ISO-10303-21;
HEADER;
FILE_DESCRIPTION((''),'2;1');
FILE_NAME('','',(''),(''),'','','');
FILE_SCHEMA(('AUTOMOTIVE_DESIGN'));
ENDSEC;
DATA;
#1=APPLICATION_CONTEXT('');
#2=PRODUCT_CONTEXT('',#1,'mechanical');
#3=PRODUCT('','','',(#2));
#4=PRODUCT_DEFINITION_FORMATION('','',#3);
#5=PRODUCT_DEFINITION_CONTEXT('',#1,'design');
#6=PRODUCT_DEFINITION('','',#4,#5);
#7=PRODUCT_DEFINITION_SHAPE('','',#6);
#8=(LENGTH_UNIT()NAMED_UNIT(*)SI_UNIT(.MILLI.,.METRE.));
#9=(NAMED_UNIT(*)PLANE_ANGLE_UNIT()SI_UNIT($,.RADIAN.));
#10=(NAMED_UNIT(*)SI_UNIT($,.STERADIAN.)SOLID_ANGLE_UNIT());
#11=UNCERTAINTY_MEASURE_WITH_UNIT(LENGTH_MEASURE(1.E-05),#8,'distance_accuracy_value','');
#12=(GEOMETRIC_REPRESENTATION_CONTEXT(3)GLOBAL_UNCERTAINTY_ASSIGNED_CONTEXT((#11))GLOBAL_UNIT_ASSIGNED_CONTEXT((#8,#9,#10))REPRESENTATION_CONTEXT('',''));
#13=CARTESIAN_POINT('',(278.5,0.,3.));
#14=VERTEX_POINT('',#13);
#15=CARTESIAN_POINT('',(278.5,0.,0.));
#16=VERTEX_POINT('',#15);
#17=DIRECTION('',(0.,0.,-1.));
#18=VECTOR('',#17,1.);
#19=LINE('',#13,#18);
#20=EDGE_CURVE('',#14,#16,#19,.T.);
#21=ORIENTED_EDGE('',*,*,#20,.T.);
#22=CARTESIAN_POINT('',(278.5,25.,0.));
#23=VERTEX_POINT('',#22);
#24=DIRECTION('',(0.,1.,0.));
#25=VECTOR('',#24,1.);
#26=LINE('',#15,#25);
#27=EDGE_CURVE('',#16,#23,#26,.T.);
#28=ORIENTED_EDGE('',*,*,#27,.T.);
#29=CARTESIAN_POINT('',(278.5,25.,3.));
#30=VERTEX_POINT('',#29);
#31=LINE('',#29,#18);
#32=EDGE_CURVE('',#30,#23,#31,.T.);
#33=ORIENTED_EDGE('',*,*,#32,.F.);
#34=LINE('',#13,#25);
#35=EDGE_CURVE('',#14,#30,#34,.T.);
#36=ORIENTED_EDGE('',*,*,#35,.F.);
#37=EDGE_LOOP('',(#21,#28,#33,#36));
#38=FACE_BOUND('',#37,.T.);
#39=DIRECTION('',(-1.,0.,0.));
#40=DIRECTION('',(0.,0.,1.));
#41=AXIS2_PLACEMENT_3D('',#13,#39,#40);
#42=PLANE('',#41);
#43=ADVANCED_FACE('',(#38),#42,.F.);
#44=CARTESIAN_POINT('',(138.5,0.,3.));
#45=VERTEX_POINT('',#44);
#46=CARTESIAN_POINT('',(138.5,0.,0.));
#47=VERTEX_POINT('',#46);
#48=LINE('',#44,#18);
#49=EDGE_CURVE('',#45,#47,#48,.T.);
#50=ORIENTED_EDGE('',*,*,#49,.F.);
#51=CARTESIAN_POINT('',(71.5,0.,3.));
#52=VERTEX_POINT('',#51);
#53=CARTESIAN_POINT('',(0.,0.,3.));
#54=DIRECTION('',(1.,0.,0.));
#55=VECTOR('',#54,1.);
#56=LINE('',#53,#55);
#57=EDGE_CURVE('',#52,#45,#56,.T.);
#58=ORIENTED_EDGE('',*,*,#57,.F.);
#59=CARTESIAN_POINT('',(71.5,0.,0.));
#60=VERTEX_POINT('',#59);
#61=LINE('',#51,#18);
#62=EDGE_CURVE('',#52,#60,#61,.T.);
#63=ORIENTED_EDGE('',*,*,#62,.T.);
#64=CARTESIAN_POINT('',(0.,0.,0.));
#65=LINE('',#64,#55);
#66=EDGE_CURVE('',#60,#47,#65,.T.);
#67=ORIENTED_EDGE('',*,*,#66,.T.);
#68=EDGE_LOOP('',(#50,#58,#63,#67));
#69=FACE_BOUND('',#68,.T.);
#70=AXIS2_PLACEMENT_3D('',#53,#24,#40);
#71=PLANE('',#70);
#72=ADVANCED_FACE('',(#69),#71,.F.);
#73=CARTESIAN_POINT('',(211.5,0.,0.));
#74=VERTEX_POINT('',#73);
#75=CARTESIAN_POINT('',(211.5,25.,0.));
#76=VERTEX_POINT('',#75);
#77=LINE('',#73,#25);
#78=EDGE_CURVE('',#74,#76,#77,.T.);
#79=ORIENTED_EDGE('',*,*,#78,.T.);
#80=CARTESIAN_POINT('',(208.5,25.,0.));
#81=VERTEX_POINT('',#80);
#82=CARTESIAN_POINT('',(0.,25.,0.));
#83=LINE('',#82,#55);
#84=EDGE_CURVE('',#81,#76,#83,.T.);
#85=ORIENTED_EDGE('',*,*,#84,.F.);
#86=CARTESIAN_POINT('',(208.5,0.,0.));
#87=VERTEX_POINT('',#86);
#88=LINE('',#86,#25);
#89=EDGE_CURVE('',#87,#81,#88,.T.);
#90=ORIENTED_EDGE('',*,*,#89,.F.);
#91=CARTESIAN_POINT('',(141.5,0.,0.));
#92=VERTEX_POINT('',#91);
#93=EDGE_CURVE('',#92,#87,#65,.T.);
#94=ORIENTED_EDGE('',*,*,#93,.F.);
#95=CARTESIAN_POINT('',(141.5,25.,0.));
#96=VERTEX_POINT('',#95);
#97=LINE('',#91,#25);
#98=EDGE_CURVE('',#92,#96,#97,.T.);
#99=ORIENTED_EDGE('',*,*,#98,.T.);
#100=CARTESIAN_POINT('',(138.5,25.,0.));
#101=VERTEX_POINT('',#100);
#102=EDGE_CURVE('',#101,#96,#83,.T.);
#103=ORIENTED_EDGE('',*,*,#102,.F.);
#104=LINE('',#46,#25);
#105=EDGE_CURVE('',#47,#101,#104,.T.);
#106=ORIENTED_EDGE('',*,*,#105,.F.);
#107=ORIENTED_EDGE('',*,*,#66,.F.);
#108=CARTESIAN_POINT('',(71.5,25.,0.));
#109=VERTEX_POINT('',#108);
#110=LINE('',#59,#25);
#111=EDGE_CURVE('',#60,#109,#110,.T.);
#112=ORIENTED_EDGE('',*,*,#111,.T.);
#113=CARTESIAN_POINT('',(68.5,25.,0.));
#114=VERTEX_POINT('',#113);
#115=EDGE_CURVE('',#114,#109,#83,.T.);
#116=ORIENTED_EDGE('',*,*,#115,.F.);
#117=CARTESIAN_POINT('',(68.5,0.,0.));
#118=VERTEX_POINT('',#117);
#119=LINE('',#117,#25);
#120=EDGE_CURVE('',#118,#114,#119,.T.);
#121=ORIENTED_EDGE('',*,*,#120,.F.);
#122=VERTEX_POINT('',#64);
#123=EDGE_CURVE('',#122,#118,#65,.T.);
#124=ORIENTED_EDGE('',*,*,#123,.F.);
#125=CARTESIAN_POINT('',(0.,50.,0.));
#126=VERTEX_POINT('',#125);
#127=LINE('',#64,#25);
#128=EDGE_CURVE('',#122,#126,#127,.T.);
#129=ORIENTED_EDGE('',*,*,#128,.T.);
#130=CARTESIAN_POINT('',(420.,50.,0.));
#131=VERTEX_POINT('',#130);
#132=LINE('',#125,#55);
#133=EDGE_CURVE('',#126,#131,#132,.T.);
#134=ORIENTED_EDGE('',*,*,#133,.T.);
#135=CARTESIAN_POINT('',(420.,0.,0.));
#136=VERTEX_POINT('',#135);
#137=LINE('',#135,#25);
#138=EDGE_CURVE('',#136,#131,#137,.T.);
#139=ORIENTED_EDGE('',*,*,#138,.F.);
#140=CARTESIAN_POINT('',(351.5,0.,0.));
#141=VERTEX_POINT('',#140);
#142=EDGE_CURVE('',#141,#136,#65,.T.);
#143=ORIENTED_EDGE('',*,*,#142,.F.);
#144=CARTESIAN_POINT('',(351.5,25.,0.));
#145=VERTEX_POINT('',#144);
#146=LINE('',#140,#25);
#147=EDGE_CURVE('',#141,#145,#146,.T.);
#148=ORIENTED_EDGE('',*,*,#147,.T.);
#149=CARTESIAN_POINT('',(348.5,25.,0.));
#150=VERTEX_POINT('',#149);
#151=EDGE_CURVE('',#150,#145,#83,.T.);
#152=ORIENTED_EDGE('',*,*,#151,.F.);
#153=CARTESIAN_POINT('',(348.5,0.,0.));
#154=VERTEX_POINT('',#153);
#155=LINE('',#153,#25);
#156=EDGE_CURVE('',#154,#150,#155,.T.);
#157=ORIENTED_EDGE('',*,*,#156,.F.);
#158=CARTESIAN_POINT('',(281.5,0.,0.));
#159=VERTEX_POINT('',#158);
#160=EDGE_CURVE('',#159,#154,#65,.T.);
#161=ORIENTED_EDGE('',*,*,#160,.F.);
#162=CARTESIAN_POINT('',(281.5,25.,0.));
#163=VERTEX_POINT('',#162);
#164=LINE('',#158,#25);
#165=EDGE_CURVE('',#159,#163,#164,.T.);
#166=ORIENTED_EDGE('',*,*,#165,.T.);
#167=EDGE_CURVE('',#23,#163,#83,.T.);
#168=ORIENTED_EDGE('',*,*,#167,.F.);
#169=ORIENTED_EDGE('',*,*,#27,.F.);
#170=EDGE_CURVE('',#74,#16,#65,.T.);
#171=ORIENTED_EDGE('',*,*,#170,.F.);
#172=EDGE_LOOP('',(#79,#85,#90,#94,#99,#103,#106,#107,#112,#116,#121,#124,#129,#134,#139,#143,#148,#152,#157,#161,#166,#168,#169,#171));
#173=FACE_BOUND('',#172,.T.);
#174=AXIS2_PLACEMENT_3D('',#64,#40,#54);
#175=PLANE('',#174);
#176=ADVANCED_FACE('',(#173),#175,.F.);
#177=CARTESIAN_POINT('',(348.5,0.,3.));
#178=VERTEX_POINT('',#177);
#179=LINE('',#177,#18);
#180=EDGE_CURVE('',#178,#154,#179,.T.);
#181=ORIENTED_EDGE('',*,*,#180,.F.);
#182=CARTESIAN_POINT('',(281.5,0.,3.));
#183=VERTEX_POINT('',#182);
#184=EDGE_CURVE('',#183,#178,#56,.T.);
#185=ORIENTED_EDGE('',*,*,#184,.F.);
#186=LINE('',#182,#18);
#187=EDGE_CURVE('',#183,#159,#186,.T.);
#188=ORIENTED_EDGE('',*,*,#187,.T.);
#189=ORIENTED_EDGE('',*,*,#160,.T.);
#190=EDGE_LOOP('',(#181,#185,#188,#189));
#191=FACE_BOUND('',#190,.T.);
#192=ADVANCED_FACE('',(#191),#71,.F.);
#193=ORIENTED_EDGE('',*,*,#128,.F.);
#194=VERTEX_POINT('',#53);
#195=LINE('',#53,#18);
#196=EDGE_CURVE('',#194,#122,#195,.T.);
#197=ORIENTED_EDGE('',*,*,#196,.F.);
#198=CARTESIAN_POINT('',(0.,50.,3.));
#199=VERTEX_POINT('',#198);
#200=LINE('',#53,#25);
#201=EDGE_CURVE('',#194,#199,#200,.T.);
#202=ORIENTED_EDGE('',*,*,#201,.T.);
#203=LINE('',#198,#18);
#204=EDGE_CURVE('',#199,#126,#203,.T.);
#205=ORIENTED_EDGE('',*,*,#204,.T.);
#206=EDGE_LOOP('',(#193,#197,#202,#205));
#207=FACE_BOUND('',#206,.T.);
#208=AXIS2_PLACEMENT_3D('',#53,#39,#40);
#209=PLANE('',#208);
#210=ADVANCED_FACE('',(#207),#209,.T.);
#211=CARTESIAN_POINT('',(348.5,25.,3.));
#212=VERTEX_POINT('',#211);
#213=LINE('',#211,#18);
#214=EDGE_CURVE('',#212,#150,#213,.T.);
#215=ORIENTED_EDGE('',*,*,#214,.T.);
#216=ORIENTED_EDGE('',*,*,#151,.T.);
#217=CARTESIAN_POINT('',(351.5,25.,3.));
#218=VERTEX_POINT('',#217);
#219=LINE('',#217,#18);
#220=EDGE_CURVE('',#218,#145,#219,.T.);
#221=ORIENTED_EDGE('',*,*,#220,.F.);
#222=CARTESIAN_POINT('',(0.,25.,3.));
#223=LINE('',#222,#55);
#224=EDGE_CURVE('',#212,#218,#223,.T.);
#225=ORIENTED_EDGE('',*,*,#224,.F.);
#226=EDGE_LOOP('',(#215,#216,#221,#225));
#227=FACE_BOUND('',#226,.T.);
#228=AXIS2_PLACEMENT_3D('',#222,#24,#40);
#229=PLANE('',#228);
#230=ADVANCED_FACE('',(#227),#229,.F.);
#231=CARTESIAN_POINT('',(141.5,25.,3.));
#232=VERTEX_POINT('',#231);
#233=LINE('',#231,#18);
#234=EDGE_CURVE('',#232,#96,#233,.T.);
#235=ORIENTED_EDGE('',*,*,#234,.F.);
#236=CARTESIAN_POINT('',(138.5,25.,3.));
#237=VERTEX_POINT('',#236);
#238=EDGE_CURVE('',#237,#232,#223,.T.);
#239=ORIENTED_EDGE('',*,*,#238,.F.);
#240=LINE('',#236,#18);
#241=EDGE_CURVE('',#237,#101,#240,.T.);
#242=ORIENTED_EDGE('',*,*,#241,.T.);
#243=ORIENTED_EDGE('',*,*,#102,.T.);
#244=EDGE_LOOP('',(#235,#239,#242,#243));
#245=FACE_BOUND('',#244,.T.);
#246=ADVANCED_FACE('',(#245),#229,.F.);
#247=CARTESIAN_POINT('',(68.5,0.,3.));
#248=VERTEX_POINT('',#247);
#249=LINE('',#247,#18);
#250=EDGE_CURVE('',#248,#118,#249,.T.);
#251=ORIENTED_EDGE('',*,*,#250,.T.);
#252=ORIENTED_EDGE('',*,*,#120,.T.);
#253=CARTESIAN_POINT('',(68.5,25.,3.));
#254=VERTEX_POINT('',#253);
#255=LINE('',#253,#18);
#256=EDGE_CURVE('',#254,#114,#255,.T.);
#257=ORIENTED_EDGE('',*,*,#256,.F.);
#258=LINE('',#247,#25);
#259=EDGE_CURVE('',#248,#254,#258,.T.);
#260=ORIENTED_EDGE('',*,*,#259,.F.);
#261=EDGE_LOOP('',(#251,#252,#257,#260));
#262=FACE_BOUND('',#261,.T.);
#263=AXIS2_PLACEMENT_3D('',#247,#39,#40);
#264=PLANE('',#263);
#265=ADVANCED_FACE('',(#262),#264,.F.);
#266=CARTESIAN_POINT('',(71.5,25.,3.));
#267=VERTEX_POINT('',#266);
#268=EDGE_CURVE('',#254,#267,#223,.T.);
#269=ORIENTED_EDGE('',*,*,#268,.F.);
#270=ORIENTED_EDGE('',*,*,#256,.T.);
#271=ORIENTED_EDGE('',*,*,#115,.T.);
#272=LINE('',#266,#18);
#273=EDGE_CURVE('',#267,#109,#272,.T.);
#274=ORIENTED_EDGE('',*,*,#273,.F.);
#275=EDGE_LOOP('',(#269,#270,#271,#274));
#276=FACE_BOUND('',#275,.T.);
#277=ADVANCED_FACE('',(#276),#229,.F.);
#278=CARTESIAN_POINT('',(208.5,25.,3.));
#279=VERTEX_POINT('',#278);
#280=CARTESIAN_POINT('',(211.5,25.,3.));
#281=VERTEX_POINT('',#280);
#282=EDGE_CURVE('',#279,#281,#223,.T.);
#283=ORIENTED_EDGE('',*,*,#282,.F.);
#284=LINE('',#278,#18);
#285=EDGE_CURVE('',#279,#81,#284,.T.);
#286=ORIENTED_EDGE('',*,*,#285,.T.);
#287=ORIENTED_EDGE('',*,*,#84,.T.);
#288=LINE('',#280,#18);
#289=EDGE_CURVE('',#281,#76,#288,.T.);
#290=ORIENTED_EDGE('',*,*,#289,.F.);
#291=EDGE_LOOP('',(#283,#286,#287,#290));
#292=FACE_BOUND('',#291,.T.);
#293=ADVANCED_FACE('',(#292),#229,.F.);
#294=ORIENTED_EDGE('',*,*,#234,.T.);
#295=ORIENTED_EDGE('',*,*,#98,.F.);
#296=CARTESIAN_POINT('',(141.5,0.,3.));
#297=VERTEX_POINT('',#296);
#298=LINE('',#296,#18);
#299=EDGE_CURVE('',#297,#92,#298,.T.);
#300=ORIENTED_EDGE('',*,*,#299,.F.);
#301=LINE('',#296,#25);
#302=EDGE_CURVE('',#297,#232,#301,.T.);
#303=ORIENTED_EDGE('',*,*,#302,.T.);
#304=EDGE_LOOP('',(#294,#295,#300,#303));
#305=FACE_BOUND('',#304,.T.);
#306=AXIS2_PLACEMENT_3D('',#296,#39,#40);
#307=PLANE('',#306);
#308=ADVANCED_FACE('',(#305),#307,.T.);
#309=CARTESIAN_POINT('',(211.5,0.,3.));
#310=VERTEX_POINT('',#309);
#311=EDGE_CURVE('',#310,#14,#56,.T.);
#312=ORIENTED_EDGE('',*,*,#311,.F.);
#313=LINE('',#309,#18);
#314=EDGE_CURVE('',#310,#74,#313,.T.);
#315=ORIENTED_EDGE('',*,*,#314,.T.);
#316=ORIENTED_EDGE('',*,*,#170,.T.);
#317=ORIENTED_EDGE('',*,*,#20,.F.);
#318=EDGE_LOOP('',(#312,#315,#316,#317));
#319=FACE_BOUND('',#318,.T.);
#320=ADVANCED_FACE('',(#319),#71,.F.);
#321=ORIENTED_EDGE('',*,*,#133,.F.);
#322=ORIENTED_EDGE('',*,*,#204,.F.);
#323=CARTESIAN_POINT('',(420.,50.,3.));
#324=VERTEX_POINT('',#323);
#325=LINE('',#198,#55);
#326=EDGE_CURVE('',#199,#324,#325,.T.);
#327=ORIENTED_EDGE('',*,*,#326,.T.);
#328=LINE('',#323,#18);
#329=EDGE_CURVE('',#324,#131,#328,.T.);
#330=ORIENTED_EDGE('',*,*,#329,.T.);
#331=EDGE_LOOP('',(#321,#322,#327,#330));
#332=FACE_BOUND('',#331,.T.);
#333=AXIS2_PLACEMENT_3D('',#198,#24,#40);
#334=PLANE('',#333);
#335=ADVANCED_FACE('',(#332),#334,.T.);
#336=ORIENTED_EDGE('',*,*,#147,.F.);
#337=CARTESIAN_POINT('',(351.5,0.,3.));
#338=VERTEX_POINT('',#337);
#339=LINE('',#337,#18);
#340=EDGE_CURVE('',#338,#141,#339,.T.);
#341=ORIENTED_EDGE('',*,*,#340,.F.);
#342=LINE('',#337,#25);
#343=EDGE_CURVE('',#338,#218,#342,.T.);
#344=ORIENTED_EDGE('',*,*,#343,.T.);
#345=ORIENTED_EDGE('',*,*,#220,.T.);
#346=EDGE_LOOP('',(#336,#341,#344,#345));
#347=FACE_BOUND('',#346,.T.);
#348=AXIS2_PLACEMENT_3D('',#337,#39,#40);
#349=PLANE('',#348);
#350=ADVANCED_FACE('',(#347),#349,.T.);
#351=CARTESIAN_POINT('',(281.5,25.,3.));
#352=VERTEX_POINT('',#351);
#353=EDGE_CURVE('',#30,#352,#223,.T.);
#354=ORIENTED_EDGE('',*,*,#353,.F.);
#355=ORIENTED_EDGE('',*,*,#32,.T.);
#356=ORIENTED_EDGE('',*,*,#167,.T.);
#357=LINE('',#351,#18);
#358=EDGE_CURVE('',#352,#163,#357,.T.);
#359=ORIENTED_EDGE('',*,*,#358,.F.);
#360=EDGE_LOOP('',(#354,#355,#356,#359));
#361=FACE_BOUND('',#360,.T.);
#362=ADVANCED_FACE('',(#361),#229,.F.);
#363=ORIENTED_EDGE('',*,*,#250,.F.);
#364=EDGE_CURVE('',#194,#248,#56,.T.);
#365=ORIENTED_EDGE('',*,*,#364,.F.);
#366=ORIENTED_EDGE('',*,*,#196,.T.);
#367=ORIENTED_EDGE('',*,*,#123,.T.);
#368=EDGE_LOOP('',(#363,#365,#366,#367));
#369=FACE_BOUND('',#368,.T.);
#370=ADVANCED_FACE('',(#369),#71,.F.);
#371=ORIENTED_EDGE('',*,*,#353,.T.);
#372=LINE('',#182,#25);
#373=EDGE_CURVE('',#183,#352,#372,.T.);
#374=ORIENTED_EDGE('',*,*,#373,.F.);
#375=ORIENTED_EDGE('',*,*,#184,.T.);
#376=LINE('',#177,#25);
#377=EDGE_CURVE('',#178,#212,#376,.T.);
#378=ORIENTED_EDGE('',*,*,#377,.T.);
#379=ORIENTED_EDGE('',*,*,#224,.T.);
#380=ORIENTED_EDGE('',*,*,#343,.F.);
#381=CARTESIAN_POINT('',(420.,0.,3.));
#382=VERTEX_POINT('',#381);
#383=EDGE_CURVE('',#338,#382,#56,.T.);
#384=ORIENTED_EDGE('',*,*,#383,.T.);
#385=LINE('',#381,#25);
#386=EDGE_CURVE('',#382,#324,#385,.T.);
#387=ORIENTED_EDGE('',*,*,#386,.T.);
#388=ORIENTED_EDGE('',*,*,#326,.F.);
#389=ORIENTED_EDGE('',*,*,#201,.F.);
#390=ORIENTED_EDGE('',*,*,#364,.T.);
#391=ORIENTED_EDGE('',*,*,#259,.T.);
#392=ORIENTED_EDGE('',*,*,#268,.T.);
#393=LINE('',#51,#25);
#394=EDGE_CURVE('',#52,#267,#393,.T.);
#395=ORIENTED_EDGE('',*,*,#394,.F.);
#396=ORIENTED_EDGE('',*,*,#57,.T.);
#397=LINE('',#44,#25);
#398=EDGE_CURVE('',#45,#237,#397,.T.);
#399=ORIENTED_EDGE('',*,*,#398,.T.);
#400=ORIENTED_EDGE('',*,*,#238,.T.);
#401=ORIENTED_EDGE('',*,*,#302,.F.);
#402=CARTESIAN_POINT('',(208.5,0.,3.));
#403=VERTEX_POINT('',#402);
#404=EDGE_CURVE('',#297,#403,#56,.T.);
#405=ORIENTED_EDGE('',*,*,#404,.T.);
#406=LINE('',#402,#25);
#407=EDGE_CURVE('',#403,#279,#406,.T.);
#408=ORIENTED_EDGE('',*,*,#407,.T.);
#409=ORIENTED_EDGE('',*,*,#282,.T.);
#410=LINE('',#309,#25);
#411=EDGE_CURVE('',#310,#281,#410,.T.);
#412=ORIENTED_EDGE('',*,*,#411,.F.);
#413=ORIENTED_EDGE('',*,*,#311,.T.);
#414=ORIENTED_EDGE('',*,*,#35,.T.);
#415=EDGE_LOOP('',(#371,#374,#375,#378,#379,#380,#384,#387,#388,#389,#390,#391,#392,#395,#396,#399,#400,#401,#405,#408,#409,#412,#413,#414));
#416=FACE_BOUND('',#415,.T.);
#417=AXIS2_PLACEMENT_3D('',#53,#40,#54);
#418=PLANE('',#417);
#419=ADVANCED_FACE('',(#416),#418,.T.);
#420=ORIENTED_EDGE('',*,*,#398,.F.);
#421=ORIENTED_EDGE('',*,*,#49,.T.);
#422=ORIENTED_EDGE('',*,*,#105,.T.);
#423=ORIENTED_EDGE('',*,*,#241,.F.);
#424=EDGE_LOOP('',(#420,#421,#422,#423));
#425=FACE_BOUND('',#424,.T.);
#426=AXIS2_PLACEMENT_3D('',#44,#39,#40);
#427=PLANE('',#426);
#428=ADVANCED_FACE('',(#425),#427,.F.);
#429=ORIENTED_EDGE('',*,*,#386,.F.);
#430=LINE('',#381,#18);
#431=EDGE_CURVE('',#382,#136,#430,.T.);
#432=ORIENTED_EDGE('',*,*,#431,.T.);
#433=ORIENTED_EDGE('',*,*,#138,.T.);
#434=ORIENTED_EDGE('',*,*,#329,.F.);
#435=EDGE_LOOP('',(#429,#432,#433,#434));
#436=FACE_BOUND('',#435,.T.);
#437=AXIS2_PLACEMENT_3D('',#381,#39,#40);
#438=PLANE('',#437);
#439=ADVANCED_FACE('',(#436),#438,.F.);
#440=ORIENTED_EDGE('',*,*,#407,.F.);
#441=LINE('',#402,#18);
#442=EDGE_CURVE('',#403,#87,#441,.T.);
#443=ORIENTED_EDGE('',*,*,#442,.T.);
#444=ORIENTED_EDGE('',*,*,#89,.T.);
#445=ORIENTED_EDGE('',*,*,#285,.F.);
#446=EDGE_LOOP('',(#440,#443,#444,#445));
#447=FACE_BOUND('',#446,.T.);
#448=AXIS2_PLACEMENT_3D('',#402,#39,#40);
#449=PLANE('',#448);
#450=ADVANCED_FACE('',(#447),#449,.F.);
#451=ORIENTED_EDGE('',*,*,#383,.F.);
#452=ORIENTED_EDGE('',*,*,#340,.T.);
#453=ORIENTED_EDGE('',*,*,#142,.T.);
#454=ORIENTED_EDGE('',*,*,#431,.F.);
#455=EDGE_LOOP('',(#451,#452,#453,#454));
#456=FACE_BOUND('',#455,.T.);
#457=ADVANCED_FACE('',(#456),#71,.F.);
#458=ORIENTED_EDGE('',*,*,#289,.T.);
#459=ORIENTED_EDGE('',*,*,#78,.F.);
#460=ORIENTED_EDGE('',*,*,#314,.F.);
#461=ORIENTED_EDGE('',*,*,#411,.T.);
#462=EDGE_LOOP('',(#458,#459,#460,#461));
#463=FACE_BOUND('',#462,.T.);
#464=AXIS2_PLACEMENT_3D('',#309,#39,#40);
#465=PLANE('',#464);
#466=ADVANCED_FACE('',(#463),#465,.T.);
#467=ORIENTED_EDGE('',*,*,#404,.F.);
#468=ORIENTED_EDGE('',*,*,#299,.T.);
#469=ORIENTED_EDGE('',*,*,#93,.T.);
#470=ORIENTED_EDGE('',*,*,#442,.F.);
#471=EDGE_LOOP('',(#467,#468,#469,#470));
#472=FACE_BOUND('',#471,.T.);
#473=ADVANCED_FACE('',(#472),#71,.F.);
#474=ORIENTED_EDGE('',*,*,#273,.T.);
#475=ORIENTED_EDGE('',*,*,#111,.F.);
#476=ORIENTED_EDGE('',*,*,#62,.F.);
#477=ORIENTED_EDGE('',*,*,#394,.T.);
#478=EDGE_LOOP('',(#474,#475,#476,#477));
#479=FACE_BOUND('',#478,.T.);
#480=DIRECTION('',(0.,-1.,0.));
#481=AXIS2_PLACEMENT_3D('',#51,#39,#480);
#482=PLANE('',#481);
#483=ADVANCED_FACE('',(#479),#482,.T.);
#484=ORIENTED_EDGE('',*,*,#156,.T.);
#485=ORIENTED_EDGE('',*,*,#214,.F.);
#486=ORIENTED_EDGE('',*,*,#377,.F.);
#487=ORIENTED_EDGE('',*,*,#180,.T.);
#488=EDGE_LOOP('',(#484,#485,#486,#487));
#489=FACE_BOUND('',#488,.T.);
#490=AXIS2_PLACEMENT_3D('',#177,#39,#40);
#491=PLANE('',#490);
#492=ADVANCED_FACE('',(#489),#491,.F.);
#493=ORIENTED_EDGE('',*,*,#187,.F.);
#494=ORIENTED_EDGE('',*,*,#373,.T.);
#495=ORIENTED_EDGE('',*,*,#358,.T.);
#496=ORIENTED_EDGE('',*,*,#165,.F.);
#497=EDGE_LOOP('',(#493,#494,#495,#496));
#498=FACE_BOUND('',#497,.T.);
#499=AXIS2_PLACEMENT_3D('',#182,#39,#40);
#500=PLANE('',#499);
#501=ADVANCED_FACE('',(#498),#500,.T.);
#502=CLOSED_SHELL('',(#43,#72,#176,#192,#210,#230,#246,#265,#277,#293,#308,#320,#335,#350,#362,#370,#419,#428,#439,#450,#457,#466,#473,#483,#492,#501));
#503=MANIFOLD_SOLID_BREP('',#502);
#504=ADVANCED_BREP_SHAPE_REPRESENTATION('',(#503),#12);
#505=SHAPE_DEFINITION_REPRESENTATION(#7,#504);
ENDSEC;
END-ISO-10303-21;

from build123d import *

# Parameters (mm, degrees)
BOSS_EXTRUDE1_DEPTH = 3


with BuildPart() as part:
    # Sketch1 → Boss-Extrude1 (new body)
    with BuildSketch(Plane.XY):
        Polygon((0, 50), (0, 0), (68.5, 0), (68.5, 25), (71.5, 25), (71.5, 0), (138.5, 0), (138.5, 25), (141.5, 25), (141.5, 0), (208.5, 0), (208.5, 25), (211.5, 25), (211.5, 0), (278.5, 0), (278.5, 25), (281.5, 25), (281.5, 0), (348.5, 0), (348.5, 25), (351.5, 25), (351.5, 0), (420, 0), (420, 50), align=None)
    extrude(amount=BOSS_EXTRUDE1_DEPTH)


solid = part.part
